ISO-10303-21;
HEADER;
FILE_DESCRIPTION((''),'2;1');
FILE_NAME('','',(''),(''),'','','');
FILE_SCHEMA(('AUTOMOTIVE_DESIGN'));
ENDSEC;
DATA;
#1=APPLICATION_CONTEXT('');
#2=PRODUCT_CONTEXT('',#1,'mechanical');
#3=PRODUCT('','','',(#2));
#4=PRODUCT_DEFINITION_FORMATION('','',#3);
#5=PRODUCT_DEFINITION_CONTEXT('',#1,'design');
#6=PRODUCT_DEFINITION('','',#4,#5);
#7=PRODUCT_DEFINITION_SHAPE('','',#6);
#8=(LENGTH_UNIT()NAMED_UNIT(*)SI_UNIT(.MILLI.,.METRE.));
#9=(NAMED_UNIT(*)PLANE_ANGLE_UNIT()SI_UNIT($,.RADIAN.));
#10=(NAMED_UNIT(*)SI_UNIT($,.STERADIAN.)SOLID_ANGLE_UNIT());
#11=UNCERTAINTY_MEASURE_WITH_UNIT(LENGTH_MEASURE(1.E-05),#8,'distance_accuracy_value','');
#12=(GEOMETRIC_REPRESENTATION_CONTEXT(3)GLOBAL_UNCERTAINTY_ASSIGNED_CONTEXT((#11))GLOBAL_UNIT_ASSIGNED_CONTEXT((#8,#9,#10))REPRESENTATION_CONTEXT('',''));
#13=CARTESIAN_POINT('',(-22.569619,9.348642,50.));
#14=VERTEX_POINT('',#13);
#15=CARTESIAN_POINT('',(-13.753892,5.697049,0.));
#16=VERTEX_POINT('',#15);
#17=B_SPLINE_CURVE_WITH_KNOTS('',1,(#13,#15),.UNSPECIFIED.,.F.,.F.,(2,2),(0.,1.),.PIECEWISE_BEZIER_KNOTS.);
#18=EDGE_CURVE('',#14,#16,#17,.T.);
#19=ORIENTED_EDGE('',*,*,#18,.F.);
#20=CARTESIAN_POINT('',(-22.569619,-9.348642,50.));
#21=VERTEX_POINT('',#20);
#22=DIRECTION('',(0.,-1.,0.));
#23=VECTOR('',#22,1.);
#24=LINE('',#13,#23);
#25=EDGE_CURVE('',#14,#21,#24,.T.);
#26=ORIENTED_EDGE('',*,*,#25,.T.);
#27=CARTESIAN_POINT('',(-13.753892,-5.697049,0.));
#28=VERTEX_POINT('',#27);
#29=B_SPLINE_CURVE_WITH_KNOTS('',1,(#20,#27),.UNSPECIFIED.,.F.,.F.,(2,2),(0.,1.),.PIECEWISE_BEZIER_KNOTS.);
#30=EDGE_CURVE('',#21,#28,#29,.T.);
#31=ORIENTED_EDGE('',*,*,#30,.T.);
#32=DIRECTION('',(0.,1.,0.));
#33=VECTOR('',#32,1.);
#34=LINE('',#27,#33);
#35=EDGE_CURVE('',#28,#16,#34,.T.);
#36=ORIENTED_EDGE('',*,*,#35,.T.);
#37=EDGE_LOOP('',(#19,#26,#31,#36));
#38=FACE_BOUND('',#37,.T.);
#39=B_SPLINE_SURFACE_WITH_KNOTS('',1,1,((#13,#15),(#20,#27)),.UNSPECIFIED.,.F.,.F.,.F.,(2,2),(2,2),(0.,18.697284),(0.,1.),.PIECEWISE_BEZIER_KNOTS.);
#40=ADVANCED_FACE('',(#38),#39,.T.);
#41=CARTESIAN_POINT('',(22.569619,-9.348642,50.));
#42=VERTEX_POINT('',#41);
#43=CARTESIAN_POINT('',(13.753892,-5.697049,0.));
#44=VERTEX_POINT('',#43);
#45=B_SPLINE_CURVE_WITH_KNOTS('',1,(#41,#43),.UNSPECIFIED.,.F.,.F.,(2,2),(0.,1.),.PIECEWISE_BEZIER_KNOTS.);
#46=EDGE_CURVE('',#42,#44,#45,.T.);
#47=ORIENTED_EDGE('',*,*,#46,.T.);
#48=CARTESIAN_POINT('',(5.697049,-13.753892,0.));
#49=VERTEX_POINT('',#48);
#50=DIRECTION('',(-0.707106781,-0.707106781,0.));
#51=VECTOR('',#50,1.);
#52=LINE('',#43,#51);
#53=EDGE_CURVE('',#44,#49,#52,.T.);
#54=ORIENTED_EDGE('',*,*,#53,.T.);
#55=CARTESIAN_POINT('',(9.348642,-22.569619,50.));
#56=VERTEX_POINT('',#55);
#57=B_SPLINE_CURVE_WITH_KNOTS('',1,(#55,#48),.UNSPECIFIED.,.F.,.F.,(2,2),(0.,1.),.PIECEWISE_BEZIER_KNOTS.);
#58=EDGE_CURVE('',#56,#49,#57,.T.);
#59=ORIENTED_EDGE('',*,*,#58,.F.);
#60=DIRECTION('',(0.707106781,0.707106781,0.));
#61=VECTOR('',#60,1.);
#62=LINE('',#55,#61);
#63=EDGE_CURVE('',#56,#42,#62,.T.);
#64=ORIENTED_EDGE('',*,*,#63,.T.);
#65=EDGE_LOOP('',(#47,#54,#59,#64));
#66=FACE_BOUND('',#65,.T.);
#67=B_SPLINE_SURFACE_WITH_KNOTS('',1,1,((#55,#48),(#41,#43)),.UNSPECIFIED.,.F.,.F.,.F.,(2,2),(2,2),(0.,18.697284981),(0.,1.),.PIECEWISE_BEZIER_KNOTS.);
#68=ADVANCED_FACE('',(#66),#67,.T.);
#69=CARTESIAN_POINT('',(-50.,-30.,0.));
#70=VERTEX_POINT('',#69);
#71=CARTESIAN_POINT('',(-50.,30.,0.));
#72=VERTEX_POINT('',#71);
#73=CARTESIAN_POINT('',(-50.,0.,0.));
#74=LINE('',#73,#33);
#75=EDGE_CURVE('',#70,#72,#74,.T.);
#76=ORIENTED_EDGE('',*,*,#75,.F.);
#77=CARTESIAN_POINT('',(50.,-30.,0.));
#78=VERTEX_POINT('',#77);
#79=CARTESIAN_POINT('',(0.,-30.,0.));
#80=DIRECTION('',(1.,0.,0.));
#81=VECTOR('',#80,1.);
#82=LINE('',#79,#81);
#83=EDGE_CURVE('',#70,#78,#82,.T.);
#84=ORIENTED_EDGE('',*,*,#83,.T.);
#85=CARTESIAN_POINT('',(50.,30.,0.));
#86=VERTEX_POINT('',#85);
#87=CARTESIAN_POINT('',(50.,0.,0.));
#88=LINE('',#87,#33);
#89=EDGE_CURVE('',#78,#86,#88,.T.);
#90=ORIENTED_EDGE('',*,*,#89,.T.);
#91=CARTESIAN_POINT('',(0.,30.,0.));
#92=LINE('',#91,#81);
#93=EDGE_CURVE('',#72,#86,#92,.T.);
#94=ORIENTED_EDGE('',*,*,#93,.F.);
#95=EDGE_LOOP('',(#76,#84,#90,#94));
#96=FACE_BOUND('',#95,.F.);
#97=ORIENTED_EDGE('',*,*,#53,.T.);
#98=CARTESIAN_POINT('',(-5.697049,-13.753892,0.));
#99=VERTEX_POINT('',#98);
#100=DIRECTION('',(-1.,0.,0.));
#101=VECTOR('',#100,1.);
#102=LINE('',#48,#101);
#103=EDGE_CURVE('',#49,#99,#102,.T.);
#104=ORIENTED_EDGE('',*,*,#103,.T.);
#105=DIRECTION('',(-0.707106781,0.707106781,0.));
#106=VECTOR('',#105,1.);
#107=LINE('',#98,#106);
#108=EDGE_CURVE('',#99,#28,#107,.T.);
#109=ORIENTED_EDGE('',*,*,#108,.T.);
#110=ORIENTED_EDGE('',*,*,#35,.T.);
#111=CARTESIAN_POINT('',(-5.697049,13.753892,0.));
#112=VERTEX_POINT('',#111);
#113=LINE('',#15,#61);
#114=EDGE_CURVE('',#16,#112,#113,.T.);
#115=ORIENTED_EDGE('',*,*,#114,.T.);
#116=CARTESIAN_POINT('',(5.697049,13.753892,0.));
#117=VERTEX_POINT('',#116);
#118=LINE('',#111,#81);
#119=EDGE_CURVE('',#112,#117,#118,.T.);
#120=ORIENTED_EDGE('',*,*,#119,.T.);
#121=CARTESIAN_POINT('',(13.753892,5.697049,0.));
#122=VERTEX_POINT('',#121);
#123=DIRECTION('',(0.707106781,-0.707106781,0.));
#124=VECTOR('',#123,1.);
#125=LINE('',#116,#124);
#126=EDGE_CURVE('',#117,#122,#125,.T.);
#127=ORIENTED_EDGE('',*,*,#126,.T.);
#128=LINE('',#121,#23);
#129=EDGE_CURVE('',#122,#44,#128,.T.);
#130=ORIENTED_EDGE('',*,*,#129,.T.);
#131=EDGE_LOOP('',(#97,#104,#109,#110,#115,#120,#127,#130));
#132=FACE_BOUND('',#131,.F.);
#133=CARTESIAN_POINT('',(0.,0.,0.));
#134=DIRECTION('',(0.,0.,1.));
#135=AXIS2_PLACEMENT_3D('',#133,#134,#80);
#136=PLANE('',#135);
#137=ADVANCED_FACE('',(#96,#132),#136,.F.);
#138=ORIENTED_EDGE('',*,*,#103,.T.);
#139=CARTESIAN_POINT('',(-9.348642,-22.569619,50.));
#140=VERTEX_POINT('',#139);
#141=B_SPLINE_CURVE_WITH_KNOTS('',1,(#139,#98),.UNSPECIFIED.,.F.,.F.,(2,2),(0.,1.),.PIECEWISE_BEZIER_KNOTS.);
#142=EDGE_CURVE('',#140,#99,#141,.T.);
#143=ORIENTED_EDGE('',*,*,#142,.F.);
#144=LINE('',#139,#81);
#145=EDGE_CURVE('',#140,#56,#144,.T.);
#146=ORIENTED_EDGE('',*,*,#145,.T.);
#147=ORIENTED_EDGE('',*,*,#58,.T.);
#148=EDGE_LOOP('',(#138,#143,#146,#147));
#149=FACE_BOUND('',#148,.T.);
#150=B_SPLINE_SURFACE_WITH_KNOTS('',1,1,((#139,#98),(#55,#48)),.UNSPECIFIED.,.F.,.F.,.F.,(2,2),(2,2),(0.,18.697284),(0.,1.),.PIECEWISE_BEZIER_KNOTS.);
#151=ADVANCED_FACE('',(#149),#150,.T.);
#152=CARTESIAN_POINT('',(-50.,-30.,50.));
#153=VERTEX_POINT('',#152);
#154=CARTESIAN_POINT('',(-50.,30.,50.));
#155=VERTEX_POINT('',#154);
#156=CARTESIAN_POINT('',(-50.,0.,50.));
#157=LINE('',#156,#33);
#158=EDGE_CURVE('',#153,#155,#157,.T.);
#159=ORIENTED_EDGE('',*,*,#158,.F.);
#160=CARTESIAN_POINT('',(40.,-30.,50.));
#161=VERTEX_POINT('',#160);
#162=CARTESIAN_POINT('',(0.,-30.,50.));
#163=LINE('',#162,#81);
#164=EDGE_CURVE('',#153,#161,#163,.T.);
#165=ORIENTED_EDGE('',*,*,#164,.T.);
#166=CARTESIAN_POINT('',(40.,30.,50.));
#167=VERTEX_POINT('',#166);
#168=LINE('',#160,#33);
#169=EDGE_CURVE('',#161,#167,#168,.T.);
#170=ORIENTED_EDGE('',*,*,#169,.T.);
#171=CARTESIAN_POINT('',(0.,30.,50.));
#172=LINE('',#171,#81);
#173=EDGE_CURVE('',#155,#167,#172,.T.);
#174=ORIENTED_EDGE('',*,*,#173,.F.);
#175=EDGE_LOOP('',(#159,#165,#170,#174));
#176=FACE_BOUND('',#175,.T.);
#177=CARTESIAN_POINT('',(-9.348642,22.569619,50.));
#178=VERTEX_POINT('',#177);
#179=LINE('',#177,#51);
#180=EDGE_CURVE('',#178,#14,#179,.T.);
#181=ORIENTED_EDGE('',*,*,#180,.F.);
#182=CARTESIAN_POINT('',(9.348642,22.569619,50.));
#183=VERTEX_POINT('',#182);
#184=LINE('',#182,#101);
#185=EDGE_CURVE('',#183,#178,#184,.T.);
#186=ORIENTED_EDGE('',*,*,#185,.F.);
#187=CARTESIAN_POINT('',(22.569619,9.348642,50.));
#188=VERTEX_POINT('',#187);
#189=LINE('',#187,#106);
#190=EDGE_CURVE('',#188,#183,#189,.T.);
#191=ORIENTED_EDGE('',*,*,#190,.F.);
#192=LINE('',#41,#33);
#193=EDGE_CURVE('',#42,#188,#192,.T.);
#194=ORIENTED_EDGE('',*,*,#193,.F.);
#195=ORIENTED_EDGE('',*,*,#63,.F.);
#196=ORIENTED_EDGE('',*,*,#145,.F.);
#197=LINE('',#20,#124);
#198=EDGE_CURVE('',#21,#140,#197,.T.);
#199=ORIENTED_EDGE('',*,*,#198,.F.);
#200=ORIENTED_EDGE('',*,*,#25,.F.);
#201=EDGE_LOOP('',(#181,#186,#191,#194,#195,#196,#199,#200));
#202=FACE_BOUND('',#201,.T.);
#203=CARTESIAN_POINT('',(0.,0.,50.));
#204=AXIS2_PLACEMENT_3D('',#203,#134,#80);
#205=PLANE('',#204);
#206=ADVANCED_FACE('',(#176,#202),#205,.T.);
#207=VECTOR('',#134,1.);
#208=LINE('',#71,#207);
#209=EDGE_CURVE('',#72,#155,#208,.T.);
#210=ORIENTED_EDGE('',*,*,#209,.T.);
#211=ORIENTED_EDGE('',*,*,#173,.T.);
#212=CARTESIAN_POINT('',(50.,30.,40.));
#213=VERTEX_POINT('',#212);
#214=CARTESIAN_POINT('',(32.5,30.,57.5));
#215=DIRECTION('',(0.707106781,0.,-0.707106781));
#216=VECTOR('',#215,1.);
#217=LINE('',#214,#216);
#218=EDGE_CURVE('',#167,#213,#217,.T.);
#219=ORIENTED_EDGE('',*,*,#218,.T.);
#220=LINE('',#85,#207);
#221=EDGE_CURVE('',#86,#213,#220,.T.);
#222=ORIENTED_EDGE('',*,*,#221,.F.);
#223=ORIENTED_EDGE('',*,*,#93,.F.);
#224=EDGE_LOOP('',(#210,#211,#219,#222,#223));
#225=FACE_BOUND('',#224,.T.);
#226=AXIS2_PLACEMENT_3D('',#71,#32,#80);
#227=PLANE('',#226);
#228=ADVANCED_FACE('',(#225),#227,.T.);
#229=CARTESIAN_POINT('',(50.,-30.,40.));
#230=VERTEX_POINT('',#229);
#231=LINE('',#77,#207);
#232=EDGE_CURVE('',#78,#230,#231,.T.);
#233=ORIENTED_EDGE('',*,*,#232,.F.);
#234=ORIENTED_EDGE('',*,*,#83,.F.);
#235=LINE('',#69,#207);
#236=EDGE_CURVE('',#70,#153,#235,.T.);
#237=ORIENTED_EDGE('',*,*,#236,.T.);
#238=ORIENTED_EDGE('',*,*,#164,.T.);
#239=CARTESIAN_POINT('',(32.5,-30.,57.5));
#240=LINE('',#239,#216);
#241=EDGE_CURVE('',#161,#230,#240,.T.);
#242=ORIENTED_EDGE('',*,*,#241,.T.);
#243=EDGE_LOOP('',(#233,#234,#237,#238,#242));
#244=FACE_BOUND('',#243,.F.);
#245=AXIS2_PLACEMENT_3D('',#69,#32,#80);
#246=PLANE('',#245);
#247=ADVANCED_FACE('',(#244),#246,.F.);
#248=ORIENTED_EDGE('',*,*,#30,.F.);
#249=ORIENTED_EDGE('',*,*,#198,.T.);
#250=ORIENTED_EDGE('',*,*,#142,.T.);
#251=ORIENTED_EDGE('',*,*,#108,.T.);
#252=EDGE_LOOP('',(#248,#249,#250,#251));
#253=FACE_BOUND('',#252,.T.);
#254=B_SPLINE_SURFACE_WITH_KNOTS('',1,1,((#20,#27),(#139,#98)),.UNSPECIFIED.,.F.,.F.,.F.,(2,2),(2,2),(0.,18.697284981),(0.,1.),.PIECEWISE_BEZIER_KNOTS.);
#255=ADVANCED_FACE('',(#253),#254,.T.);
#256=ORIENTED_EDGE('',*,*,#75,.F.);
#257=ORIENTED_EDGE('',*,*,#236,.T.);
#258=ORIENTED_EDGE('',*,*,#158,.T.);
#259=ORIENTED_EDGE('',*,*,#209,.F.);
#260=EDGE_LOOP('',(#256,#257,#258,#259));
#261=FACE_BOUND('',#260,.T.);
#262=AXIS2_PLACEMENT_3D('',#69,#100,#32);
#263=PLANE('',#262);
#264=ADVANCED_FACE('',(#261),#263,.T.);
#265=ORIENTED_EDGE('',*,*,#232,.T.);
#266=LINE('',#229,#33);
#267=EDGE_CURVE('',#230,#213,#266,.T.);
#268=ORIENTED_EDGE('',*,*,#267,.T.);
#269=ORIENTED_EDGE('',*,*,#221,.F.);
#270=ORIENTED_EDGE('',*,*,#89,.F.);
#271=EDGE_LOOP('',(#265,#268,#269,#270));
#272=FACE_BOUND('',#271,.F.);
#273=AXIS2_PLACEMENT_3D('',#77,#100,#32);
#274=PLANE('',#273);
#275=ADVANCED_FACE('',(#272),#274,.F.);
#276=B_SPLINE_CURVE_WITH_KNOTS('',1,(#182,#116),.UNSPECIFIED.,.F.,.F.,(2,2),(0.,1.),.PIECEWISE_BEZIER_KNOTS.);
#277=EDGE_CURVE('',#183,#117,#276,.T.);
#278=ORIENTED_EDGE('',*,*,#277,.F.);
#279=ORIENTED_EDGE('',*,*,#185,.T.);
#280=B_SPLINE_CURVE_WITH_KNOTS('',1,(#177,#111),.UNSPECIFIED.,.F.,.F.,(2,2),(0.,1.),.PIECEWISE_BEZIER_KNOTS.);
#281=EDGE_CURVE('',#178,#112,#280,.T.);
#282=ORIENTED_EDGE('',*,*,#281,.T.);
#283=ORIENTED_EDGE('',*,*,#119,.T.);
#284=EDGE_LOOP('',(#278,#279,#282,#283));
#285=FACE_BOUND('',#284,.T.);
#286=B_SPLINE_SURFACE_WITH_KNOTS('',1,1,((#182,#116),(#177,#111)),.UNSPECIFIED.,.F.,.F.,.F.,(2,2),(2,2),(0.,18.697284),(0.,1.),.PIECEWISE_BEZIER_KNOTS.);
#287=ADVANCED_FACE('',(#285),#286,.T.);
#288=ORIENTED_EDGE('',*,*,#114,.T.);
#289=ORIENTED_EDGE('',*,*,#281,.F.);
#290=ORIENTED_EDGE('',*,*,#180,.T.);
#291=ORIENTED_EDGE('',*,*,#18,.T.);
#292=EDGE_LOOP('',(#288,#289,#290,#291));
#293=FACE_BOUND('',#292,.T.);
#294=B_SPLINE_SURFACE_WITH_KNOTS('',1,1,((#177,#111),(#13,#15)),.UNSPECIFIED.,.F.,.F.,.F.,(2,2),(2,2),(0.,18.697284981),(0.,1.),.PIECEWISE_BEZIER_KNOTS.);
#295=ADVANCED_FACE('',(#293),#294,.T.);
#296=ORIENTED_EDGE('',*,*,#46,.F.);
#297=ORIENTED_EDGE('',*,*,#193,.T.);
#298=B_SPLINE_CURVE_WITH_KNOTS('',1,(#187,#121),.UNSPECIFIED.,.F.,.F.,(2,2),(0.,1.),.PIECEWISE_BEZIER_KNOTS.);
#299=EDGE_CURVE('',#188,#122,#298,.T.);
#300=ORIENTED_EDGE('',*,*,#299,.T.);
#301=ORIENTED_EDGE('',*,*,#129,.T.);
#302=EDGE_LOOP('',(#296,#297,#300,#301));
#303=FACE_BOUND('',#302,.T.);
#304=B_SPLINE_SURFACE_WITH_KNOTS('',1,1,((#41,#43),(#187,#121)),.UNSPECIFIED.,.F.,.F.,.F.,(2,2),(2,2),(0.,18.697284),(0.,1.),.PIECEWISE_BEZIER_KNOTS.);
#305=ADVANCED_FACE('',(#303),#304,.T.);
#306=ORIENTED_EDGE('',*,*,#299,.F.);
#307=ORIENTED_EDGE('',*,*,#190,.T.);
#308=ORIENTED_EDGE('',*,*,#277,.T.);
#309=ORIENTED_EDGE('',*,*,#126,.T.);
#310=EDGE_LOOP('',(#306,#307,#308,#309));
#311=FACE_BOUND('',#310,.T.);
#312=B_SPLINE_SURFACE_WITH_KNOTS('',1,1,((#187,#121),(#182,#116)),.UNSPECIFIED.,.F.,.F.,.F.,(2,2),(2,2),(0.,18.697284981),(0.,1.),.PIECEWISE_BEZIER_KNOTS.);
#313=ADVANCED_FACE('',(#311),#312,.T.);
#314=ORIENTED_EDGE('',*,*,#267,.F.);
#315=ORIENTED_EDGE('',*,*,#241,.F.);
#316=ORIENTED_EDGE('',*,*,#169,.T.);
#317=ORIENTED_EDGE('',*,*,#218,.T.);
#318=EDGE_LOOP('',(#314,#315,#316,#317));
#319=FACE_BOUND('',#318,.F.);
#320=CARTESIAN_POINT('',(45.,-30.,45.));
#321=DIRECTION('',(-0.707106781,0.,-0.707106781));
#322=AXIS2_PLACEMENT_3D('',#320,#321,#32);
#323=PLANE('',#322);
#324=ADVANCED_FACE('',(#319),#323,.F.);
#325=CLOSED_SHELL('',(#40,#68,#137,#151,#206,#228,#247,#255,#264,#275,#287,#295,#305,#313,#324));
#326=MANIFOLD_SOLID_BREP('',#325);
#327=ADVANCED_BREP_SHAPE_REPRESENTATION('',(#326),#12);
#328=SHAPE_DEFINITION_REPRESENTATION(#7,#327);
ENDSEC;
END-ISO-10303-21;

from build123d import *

# Parameters (mm, degrees)
F0_W     = 100
F0_H     = 60
F1_DEPTH = 50
F5_SIZE  = 10


with BuildPart() as f1:
    # F0 (on Top) → F1 (new body)
    with BuildSketch(Plane.XY):
        Rectangle(F0_W, F0_H)
    extrude(amount=F1_DEPTH)

    # F2 (on face) → F4 section 0
    with BuildSketch(Plane.XY.offset(50)):
        Polygon((9.348642, 22.569619), (-9.348642, 22.569619), (-22.569619, 9.348642), (-22.569619, -9.348642), (-9.348642, -22.569619), (9.348642, -22.569619), (22.569619, -9.348642), (22.569619, 9.348642), align=None)
    # F3 (on face) → F4 section 1
    with BuildSketch(Plane(origin=(0, 0, 0), x_dir=(1, 0, 0), z_dir=(0, 0, -1))):
        Polygon((-13.753892, 5.697049), (-13.753892, -5.697049), (-5.697049, -13.753892), (5.697049, -13.753892), (13.753892, -5.697049), (13.753892, 5.697049), (5.697049, 13.753892), (-5.697049, 13.753892), align=None)
    loft(mode=Mode.SUBTRACT)

    # F5
    f5_edges = [f1.edges().sort_by_distance(p)[0] for p in [
        (50, 0, 50),
    ]]
    chamfer(f5_edges, length=F5_SIZE)


solid = f1.part
